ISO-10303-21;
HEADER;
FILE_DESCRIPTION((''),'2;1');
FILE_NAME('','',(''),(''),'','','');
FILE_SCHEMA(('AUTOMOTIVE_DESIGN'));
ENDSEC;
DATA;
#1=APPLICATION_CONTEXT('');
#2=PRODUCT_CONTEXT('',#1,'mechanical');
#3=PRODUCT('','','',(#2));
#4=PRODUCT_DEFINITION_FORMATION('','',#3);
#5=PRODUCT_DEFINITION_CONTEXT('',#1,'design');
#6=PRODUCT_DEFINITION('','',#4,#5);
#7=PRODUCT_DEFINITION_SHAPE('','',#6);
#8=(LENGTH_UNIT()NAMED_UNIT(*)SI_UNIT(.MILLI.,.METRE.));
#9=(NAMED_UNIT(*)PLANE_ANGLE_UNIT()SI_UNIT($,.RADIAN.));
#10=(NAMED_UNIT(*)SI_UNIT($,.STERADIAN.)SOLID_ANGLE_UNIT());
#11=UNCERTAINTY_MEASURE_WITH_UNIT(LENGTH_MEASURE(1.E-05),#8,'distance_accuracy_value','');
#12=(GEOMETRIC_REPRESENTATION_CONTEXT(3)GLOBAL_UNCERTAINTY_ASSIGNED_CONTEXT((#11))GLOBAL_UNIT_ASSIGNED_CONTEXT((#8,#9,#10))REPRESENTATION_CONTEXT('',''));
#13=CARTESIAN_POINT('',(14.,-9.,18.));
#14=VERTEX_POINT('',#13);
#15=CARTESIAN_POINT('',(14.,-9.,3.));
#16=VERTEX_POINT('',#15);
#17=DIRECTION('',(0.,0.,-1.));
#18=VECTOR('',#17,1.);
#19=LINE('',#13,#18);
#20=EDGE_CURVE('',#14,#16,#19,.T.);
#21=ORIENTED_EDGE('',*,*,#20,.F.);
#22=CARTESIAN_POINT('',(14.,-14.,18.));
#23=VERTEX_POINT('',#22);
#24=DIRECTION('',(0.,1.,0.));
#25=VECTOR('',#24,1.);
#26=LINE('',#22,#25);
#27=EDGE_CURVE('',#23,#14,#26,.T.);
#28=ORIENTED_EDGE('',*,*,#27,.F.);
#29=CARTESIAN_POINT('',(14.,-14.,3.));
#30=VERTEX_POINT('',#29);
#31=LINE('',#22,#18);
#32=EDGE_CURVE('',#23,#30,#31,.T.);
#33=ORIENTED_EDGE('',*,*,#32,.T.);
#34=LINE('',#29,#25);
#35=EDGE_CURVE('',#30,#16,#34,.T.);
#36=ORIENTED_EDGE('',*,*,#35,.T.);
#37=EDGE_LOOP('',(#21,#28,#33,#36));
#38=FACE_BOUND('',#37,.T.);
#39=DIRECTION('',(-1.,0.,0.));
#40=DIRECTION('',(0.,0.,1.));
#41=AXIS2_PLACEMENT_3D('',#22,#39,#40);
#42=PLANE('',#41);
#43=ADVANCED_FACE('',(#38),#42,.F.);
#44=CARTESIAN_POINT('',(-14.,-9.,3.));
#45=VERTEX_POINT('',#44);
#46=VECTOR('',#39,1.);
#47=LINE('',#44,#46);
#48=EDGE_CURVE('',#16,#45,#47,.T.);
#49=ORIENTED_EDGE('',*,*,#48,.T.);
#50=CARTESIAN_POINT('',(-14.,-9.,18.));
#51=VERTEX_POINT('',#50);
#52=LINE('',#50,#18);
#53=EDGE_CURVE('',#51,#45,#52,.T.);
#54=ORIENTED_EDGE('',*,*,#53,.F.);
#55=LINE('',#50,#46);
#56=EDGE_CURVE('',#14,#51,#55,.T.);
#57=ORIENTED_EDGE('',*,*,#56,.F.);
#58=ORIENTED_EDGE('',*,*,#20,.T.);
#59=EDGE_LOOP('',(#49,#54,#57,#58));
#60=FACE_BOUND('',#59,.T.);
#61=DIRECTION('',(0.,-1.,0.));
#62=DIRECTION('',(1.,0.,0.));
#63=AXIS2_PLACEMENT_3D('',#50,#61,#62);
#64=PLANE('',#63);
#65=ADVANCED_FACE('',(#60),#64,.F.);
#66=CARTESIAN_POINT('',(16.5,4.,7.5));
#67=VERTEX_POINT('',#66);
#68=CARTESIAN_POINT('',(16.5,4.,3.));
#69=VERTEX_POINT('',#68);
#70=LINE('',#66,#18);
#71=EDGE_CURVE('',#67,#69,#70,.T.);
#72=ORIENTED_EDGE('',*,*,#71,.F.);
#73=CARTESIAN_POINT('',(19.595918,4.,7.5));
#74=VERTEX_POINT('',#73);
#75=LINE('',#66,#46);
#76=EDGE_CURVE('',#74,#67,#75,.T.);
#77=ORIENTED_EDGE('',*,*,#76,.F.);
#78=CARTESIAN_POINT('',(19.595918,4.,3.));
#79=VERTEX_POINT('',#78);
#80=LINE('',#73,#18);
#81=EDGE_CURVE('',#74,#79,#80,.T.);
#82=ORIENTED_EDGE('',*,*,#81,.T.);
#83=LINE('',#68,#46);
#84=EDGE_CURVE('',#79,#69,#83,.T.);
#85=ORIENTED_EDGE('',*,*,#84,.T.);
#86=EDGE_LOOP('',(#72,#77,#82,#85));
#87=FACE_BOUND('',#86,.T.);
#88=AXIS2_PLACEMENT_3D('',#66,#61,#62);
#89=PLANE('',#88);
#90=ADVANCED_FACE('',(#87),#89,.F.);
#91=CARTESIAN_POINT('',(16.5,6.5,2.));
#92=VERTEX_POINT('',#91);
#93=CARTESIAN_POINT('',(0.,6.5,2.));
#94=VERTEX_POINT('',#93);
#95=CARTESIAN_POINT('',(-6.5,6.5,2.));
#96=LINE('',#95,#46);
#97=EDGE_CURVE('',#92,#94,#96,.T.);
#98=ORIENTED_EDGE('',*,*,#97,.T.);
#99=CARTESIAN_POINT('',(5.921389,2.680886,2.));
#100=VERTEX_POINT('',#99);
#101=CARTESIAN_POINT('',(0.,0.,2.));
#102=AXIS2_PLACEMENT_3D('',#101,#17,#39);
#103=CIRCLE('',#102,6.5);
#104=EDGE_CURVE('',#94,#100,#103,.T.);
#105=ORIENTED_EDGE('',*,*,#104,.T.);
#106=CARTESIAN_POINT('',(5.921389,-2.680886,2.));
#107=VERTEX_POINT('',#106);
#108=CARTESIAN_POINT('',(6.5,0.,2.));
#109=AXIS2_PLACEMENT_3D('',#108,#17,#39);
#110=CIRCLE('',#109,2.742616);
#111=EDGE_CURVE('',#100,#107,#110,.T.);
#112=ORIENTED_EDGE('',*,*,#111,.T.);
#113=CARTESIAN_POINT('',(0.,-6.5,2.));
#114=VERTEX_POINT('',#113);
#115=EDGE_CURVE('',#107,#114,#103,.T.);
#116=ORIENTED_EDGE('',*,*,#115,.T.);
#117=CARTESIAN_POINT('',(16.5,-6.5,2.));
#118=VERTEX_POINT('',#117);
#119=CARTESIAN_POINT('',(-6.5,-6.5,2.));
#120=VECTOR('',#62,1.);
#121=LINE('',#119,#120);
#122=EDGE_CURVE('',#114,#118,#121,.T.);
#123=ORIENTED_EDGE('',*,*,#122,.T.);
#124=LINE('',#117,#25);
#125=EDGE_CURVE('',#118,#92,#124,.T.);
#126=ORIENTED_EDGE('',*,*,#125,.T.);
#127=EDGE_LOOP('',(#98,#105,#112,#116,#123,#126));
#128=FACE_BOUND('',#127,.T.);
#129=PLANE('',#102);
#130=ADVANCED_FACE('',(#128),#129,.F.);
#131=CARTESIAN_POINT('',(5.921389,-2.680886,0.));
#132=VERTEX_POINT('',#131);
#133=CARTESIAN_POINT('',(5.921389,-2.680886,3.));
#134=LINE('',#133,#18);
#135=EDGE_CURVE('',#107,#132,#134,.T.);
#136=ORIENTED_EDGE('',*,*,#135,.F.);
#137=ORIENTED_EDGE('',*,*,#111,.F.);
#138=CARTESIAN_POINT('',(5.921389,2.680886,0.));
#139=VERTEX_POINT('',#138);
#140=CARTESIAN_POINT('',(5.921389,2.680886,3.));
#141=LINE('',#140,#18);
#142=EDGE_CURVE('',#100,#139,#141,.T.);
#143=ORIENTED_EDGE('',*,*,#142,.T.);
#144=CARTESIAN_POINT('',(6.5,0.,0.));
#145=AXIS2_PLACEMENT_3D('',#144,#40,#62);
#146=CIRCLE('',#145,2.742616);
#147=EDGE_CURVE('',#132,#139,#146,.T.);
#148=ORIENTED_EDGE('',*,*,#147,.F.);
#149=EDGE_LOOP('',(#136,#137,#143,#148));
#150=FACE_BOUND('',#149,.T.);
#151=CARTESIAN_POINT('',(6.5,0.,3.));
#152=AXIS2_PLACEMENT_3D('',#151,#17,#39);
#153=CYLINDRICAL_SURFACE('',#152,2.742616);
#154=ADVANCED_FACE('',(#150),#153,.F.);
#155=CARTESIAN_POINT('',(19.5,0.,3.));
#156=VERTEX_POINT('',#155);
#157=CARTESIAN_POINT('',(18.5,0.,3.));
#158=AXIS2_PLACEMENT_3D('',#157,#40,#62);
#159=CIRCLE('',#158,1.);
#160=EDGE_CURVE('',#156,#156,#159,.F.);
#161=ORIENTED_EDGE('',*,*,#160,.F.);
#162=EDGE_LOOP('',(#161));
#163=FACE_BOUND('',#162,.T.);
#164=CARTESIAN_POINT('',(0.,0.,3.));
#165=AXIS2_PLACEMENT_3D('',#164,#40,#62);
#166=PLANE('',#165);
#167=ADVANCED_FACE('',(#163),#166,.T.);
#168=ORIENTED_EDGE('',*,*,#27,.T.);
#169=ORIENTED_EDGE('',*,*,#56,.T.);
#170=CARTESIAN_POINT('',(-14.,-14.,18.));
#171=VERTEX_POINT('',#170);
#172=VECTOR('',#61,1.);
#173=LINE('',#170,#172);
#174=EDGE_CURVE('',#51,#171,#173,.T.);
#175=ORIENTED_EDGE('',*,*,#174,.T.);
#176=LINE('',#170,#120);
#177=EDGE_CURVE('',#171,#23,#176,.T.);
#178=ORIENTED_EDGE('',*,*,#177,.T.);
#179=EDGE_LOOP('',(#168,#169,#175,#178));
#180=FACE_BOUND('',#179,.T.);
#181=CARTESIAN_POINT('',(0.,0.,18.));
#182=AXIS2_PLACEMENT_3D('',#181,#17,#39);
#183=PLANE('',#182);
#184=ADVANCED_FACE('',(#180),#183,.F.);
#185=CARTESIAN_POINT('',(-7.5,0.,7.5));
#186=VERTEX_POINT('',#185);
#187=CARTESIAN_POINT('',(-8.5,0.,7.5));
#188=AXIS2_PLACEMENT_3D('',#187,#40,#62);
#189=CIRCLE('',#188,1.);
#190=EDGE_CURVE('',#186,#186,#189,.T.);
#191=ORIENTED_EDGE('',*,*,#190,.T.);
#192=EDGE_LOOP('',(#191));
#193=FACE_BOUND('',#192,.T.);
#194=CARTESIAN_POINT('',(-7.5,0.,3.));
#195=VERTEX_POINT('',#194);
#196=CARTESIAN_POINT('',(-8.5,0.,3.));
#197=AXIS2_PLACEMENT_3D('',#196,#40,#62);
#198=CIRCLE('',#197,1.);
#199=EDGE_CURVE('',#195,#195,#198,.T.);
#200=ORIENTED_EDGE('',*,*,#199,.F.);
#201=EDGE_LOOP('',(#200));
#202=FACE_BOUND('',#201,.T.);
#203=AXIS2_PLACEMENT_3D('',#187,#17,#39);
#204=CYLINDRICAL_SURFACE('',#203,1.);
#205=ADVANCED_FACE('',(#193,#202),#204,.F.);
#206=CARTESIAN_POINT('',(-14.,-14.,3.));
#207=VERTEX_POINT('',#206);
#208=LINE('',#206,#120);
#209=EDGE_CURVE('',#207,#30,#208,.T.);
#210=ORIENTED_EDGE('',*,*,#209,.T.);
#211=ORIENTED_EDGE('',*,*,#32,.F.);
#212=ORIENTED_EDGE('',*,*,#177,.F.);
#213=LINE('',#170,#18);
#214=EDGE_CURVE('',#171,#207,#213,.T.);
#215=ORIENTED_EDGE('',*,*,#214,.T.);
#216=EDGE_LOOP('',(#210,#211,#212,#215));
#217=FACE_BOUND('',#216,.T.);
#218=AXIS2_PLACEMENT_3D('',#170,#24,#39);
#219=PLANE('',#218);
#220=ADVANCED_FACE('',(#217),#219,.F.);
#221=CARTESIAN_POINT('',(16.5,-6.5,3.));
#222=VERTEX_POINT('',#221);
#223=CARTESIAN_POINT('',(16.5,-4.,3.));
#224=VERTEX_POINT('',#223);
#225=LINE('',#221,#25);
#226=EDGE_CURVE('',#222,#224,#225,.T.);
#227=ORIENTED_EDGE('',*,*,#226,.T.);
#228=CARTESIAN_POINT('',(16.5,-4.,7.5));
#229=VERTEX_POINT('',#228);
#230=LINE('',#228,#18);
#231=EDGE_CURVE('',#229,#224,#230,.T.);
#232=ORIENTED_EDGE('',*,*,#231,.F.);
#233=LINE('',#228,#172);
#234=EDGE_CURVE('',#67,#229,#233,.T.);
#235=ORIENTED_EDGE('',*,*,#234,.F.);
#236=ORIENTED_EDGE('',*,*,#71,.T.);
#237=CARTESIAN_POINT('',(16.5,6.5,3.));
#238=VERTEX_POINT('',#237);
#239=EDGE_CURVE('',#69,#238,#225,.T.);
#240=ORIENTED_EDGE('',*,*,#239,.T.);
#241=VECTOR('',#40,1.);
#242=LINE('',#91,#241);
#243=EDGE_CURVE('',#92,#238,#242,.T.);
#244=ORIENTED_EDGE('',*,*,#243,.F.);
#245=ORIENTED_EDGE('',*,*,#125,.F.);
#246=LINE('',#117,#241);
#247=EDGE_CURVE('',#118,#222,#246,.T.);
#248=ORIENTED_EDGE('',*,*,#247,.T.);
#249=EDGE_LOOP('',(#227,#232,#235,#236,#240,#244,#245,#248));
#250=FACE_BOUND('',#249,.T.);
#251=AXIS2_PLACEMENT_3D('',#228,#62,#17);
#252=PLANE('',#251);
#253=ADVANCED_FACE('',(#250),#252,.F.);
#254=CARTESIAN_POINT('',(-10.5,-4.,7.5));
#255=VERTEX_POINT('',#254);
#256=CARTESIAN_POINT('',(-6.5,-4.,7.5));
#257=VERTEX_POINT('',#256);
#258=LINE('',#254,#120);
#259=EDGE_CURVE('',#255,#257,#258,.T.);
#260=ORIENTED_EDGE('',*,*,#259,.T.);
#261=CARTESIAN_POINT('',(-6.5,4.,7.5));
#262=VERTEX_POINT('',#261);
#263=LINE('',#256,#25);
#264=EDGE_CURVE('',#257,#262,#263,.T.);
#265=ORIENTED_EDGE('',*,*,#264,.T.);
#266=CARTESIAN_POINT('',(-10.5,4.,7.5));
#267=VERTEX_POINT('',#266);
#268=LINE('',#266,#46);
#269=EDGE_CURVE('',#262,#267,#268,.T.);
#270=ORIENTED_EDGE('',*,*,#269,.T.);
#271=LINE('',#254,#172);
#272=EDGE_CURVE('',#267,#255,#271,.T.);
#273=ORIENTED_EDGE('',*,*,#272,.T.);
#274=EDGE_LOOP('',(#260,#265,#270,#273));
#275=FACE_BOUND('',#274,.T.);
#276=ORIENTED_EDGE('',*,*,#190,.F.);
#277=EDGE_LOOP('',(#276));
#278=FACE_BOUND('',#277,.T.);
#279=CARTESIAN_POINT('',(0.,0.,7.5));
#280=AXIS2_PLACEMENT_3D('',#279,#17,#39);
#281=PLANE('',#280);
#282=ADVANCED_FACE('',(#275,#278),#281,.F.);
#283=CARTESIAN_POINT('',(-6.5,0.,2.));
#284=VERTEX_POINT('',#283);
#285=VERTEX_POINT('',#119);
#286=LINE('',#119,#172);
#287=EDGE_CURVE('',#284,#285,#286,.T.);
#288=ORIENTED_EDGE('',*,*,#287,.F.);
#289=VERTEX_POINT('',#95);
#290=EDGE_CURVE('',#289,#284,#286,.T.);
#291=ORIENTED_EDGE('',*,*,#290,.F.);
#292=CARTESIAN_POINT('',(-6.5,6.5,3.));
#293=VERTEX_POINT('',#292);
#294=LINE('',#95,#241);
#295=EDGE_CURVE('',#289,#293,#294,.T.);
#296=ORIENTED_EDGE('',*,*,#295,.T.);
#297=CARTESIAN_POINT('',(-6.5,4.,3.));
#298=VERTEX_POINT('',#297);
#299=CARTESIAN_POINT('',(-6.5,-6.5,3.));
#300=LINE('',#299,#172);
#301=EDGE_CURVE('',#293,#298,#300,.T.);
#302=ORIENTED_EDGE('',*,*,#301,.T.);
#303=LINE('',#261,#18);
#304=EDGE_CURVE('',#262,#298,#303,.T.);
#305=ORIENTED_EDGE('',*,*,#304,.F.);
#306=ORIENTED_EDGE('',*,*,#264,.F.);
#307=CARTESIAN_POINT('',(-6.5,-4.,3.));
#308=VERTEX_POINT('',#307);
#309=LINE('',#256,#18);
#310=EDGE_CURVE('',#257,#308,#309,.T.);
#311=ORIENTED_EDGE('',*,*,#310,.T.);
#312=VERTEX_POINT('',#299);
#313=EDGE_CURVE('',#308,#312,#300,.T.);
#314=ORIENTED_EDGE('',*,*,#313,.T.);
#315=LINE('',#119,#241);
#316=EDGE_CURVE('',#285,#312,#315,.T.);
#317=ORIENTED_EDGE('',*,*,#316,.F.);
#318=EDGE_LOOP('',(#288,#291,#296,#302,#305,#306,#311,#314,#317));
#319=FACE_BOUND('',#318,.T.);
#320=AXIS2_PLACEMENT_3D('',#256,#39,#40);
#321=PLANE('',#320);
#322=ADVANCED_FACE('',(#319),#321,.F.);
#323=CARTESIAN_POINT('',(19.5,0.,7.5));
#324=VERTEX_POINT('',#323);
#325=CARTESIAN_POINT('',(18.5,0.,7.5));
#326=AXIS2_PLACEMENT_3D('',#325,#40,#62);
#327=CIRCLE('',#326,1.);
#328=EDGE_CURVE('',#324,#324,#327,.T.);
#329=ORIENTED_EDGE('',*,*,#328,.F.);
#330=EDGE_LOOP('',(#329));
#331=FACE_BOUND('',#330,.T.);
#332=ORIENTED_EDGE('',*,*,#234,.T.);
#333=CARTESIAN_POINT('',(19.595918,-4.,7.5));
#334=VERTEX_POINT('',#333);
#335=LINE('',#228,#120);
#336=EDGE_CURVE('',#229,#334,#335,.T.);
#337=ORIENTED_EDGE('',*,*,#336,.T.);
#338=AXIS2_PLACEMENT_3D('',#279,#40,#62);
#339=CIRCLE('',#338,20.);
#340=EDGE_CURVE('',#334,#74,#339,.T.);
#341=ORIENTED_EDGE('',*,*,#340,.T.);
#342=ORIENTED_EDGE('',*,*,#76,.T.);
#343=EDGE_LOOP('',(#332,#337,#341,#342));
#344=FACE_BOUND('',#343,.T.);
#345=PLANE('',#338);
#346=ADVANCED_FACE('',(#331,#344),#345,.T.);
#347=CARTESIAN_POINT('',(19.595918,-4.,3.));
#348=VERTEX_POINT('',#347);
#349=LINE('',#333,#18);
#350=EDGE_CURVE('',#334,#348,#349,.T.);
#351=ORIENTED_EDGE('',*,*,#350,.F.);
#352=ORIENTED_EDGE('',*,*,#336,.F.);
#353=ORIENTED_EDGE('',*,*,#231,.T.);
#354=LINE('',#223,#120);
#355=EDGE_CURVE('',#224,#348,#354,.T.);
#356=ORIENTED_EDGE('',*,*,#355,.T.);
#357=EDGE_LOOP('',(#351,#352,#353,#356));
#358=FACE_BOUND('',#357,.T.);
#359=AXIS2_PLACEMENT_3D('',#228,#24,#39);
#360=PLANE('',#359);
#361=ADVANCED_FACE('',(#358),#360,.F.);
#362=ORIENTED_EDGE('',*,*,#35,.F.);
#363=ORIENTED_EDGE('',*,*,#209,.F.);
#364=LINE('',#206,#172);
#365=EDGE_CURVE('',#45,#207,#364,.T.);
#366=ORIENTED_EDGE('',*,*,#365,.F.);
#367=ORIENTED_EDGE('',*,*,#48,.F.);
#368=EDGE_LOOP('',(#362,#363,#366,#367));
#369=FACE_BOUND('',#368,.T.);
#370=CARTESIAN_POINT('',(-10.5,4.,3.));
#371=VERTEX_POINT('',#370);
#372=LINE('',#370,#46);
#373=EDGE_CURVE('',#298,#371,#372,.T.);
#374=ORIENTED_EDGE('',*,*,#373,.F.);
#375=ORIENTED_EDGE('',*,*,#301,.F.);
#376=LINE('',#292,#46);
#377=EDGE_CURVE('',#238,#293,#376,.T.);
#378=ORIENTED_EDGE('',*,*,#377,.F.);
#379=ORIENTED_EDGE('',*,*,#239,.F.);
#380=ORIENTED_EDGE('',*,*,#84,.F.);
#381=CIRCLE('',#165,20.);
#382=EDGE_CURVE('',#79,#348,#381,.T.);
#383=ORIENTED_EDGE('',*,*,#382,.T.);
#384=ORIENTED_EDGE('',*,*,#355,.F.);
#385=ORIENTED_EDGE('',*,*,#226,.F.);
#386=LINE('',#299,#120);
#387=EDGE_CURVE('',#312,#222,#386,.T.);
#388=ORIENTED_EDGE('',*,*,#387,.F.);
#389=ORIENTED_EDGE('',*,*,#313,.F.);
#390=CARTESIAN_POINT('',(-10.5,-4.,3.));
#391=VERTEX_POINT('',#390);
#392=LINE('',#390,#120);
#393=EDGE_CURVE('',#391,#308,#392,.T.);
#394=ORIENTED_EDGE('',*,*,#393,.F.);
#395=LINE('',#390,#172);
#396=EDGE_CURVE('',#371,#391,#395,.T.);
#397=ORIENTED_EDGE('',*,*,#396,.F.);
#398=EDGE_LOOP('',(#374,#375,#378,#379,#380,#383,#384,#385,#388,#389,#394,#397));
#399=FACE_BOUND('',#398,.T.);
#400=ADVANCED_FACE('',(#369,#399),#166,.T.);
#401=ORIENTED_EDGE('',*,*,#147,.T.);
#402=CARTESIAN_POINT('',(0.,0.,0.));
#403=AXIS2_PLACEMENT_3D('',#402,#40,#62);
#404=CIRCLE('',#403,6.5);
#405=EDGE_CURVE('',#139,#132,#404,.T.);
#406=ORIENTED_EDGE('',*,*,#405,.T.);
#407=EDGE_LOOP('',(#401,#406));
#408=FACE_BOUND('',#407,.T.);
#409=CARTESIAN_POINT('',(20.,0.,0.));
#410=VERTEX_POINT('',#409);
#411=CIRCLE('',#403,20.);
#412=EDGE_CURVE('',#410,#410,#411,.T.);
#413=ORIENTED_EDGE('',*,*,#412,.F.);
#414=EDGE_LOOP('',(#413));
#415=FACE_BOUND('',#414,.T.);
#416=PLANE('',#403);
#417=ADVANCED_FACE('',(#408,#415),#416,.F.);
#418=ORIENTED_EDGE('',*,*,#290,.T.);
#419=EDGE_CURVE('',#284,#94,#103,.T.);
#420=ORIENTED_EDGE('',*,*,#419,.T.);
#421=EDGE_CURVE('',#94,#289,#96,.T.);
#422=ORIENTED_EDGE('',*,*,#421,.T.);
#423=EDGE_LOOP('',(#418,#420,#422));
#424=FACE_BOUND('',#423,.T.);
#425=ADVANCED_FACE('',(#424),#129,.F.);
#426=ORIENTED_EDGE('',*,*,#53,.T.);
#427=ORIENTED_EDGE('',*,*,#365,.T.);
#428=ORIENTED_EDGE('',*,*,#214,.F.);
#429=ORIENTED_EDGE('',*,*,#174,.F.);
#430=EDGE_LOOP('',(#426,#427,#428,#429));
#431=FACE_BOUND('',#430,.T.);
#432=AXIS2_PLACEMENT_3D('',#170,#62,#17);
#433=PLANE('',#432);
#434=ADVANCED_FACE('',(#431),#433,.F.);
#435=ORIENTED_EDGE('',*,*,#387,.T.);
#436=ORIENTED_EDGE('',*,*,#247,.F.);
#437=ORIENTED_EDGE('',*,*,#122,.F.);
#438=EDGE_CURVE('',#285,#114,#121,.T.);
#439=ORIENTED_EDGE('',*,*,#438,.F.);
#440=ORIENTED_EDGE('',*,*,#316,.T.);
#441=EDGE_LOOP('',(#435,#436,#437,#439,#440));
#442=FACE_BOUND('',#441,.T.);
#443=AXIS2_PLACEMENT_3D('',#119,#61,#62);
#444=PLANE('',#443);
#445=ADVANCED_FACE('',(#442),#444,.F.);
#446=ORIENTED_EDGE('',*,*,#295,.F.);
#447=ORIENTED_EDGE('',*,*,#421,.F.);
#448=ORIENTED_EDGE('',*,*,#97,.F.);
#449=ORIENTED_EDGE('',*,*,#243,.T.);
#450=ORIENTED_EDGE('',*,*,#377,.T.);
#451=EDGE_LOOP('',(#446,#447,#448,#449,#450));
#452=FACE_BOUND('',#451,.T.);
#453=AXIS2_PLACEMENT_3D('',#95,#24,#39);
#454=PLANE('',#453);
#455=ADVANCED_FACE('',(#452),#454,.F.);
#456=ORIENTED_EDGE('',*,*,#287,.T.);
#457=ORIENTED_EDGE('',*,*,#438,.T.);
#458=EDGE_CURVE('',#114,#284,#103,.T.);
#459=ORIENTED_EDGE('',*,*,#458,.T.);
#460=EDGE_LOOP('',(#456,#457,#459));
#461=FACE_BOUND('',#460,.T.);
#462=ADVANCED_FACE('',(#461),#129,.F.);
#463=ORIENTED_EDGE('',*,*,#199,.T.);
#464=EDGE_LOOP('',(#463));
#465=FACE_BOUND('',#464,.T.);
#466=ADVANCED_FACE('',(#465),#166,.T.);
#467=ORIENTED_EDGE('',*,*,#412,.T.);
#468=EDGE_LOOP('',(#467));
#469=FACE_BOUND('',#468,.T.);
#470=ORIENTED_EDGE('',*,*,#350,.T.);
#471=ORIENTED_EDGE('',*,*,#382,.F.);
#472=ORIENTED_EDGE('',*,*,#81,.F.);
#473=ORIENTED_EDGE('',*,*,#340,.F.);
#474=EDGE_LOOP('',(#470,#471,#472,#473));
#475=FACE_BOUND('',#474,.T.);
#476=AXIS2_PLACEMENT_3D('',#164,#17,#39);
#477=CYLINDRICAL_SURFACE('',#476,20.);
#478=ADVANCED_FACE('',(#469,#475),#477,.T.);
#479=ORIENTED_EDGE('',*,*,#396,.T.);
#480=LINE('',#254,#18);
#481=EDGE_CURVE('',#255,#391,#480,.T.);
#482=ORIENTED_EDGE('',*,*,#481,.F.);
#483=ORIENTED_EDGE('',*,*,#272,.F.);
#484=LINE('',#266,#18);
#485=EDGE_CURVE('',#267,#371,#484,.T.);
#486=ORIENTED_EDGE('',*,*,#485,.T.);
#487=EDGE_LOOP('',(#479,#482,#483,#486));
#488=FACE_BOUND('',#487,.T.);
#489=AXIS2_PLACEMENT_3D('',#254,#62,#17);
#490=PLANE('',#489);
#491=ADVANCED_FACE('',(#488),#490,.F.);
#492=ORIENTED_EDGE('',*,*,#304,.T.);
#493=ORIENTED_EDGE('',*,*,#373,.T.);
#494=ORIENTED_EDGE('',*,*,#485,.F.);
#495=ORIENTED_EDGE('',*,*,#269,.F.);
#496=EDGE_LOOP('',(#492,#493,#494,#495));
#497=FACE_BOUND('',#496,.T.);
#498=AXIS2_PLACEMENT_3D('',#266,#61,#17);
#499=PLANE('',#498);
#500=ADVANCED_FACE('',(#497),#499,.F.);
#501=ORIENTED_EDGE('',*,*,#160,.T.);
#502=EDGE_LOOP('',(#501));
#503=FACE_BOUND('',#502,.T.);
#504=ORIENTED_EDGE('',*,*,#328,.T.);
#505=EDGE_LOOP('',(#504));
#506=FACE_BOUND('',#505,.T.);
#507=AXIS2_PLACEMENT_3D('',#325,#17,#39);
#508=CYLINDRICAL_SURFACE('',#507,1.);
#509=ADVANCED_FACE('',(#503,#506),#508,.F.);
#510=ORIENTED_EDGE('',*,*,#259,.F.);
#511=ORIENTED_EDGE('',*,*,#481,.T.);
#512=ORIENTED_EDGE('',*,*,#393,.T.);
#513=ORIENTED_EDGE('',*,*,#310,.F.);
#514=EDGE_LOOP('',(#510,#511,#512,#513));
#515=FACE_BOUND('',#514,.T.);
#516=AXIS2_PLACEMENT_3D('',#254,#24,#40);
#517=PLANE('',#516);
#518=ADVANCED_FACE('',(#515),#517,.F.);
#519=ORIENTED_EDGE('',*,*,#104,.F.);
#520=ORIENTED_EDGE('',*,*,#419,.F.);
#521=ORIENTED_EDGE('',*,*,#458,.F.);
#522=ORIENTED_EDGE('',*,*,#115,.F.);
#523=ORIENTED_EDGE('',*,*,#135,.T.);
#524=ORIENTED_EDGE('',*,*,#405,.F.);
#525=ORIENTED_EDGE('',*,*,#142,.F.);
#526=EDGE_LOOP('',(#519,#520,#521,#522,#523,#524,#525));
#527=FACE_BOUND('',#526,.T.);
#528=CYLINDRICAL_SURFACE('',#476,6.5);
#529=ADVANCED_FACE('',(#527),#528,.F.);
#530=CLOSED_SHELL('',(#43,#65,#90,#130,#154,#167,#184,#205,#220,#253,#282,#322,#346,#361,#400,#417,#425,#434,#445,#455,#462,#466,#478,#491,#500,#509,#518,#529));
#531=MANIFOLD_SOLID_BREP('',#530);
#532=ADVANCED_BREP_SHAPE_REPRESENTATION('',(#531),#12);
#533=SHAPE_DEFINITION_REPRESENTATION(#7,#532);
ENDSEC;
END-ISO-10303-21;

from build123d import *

# Parameters (mm, degrees)
ESBO_O1_R                = 20
RESSALTO_EXTRUS_O1_DEPTH = 3
ESBO_O2_W                = 4
ESBO_O2_H                = 8
ESBO_O2_R                = 1
RESSALTO_EXTRUS_O3_DEPTH = 4.5
ESBO_O3_W                = 23
ESBO_O3_H                = 13
CORTE_EXTRUS_O1_DEPTH    = 1
ESBO_O4_W                = 28
ESBO_O4_H                = 5
RESSALTO_EXTRUS_O4_DEPTH = 15


with BuildPart() as part:
    # Esboço1 → Ressalto-extrusão1 (new body)
    with BuildSketch(Plane.XY):
        Circle(ESBO_O1_R)
        with BuildLine():
            ThreePointArc((5.921389022, 2.680886429), (-6.5, 0), (5.921389022, -2.680886429))
            ThreePointArc((5.921389022, -2.680886429), (9.242616034, 0), (5.921389022, 2.680886429))
        make_face(mode=Mode.SUBTRACT)
    extrude(amount=RESSALTO_EXTRUS_O1_DEPTH)

    # Esboço2 → Ressalto-extrusão3 (add)
    with BuildSketch(Plane.XY.offset(3)):
        with Locations((-8.5, 0)):
            Rectangle(ESBO_O2_W, ESBO_O2_H)
        with Locations((-8.5, 0)):
            Circle(ESBO_O2_R, mode=Mode.SUBTRACT)
        with BuildLine():
            Line((16.5, -4), (19.595917942, -4))
            ThreePointArc((19.595917942, -4), (20, 0), (19.595917942, 4))
            Line((19.595917942, 4), (16.5, 4))
            Line((16.5, 4), (16.5, -4))
        make_face()
        with Locations((18.5, 0)):
            Circle(ESBO_O2_R, mode=Mode.SUBTRACT)
    extrude(amount=RESSALTO_EXTRUS_O3_DEPTH)

    # Esboço3 → Corte-extrusão1 (cut)
    with BuildSketch(Plane.XY.offset(3)):
        with Locations((5, 0)):
            Rectangle(ESBO_O3_W, ESBO_O3_H)
    extrude(amount=-CORTE_EXTRUS_O1_DEPTH, mode=Mode.SUBTRACT)

    # Esboço4 → Ressalto-extrusão4 (add)
    with BuildSketch(Plane.XY.offset(3)):
        with Locations((0, -11.5)):
            Rectangle(ESBO_O4_W, ESBO_O4_H)
    extrude(amount=RESSALTO_EXTRUS_O4_DEPTH)


solid = part.part
